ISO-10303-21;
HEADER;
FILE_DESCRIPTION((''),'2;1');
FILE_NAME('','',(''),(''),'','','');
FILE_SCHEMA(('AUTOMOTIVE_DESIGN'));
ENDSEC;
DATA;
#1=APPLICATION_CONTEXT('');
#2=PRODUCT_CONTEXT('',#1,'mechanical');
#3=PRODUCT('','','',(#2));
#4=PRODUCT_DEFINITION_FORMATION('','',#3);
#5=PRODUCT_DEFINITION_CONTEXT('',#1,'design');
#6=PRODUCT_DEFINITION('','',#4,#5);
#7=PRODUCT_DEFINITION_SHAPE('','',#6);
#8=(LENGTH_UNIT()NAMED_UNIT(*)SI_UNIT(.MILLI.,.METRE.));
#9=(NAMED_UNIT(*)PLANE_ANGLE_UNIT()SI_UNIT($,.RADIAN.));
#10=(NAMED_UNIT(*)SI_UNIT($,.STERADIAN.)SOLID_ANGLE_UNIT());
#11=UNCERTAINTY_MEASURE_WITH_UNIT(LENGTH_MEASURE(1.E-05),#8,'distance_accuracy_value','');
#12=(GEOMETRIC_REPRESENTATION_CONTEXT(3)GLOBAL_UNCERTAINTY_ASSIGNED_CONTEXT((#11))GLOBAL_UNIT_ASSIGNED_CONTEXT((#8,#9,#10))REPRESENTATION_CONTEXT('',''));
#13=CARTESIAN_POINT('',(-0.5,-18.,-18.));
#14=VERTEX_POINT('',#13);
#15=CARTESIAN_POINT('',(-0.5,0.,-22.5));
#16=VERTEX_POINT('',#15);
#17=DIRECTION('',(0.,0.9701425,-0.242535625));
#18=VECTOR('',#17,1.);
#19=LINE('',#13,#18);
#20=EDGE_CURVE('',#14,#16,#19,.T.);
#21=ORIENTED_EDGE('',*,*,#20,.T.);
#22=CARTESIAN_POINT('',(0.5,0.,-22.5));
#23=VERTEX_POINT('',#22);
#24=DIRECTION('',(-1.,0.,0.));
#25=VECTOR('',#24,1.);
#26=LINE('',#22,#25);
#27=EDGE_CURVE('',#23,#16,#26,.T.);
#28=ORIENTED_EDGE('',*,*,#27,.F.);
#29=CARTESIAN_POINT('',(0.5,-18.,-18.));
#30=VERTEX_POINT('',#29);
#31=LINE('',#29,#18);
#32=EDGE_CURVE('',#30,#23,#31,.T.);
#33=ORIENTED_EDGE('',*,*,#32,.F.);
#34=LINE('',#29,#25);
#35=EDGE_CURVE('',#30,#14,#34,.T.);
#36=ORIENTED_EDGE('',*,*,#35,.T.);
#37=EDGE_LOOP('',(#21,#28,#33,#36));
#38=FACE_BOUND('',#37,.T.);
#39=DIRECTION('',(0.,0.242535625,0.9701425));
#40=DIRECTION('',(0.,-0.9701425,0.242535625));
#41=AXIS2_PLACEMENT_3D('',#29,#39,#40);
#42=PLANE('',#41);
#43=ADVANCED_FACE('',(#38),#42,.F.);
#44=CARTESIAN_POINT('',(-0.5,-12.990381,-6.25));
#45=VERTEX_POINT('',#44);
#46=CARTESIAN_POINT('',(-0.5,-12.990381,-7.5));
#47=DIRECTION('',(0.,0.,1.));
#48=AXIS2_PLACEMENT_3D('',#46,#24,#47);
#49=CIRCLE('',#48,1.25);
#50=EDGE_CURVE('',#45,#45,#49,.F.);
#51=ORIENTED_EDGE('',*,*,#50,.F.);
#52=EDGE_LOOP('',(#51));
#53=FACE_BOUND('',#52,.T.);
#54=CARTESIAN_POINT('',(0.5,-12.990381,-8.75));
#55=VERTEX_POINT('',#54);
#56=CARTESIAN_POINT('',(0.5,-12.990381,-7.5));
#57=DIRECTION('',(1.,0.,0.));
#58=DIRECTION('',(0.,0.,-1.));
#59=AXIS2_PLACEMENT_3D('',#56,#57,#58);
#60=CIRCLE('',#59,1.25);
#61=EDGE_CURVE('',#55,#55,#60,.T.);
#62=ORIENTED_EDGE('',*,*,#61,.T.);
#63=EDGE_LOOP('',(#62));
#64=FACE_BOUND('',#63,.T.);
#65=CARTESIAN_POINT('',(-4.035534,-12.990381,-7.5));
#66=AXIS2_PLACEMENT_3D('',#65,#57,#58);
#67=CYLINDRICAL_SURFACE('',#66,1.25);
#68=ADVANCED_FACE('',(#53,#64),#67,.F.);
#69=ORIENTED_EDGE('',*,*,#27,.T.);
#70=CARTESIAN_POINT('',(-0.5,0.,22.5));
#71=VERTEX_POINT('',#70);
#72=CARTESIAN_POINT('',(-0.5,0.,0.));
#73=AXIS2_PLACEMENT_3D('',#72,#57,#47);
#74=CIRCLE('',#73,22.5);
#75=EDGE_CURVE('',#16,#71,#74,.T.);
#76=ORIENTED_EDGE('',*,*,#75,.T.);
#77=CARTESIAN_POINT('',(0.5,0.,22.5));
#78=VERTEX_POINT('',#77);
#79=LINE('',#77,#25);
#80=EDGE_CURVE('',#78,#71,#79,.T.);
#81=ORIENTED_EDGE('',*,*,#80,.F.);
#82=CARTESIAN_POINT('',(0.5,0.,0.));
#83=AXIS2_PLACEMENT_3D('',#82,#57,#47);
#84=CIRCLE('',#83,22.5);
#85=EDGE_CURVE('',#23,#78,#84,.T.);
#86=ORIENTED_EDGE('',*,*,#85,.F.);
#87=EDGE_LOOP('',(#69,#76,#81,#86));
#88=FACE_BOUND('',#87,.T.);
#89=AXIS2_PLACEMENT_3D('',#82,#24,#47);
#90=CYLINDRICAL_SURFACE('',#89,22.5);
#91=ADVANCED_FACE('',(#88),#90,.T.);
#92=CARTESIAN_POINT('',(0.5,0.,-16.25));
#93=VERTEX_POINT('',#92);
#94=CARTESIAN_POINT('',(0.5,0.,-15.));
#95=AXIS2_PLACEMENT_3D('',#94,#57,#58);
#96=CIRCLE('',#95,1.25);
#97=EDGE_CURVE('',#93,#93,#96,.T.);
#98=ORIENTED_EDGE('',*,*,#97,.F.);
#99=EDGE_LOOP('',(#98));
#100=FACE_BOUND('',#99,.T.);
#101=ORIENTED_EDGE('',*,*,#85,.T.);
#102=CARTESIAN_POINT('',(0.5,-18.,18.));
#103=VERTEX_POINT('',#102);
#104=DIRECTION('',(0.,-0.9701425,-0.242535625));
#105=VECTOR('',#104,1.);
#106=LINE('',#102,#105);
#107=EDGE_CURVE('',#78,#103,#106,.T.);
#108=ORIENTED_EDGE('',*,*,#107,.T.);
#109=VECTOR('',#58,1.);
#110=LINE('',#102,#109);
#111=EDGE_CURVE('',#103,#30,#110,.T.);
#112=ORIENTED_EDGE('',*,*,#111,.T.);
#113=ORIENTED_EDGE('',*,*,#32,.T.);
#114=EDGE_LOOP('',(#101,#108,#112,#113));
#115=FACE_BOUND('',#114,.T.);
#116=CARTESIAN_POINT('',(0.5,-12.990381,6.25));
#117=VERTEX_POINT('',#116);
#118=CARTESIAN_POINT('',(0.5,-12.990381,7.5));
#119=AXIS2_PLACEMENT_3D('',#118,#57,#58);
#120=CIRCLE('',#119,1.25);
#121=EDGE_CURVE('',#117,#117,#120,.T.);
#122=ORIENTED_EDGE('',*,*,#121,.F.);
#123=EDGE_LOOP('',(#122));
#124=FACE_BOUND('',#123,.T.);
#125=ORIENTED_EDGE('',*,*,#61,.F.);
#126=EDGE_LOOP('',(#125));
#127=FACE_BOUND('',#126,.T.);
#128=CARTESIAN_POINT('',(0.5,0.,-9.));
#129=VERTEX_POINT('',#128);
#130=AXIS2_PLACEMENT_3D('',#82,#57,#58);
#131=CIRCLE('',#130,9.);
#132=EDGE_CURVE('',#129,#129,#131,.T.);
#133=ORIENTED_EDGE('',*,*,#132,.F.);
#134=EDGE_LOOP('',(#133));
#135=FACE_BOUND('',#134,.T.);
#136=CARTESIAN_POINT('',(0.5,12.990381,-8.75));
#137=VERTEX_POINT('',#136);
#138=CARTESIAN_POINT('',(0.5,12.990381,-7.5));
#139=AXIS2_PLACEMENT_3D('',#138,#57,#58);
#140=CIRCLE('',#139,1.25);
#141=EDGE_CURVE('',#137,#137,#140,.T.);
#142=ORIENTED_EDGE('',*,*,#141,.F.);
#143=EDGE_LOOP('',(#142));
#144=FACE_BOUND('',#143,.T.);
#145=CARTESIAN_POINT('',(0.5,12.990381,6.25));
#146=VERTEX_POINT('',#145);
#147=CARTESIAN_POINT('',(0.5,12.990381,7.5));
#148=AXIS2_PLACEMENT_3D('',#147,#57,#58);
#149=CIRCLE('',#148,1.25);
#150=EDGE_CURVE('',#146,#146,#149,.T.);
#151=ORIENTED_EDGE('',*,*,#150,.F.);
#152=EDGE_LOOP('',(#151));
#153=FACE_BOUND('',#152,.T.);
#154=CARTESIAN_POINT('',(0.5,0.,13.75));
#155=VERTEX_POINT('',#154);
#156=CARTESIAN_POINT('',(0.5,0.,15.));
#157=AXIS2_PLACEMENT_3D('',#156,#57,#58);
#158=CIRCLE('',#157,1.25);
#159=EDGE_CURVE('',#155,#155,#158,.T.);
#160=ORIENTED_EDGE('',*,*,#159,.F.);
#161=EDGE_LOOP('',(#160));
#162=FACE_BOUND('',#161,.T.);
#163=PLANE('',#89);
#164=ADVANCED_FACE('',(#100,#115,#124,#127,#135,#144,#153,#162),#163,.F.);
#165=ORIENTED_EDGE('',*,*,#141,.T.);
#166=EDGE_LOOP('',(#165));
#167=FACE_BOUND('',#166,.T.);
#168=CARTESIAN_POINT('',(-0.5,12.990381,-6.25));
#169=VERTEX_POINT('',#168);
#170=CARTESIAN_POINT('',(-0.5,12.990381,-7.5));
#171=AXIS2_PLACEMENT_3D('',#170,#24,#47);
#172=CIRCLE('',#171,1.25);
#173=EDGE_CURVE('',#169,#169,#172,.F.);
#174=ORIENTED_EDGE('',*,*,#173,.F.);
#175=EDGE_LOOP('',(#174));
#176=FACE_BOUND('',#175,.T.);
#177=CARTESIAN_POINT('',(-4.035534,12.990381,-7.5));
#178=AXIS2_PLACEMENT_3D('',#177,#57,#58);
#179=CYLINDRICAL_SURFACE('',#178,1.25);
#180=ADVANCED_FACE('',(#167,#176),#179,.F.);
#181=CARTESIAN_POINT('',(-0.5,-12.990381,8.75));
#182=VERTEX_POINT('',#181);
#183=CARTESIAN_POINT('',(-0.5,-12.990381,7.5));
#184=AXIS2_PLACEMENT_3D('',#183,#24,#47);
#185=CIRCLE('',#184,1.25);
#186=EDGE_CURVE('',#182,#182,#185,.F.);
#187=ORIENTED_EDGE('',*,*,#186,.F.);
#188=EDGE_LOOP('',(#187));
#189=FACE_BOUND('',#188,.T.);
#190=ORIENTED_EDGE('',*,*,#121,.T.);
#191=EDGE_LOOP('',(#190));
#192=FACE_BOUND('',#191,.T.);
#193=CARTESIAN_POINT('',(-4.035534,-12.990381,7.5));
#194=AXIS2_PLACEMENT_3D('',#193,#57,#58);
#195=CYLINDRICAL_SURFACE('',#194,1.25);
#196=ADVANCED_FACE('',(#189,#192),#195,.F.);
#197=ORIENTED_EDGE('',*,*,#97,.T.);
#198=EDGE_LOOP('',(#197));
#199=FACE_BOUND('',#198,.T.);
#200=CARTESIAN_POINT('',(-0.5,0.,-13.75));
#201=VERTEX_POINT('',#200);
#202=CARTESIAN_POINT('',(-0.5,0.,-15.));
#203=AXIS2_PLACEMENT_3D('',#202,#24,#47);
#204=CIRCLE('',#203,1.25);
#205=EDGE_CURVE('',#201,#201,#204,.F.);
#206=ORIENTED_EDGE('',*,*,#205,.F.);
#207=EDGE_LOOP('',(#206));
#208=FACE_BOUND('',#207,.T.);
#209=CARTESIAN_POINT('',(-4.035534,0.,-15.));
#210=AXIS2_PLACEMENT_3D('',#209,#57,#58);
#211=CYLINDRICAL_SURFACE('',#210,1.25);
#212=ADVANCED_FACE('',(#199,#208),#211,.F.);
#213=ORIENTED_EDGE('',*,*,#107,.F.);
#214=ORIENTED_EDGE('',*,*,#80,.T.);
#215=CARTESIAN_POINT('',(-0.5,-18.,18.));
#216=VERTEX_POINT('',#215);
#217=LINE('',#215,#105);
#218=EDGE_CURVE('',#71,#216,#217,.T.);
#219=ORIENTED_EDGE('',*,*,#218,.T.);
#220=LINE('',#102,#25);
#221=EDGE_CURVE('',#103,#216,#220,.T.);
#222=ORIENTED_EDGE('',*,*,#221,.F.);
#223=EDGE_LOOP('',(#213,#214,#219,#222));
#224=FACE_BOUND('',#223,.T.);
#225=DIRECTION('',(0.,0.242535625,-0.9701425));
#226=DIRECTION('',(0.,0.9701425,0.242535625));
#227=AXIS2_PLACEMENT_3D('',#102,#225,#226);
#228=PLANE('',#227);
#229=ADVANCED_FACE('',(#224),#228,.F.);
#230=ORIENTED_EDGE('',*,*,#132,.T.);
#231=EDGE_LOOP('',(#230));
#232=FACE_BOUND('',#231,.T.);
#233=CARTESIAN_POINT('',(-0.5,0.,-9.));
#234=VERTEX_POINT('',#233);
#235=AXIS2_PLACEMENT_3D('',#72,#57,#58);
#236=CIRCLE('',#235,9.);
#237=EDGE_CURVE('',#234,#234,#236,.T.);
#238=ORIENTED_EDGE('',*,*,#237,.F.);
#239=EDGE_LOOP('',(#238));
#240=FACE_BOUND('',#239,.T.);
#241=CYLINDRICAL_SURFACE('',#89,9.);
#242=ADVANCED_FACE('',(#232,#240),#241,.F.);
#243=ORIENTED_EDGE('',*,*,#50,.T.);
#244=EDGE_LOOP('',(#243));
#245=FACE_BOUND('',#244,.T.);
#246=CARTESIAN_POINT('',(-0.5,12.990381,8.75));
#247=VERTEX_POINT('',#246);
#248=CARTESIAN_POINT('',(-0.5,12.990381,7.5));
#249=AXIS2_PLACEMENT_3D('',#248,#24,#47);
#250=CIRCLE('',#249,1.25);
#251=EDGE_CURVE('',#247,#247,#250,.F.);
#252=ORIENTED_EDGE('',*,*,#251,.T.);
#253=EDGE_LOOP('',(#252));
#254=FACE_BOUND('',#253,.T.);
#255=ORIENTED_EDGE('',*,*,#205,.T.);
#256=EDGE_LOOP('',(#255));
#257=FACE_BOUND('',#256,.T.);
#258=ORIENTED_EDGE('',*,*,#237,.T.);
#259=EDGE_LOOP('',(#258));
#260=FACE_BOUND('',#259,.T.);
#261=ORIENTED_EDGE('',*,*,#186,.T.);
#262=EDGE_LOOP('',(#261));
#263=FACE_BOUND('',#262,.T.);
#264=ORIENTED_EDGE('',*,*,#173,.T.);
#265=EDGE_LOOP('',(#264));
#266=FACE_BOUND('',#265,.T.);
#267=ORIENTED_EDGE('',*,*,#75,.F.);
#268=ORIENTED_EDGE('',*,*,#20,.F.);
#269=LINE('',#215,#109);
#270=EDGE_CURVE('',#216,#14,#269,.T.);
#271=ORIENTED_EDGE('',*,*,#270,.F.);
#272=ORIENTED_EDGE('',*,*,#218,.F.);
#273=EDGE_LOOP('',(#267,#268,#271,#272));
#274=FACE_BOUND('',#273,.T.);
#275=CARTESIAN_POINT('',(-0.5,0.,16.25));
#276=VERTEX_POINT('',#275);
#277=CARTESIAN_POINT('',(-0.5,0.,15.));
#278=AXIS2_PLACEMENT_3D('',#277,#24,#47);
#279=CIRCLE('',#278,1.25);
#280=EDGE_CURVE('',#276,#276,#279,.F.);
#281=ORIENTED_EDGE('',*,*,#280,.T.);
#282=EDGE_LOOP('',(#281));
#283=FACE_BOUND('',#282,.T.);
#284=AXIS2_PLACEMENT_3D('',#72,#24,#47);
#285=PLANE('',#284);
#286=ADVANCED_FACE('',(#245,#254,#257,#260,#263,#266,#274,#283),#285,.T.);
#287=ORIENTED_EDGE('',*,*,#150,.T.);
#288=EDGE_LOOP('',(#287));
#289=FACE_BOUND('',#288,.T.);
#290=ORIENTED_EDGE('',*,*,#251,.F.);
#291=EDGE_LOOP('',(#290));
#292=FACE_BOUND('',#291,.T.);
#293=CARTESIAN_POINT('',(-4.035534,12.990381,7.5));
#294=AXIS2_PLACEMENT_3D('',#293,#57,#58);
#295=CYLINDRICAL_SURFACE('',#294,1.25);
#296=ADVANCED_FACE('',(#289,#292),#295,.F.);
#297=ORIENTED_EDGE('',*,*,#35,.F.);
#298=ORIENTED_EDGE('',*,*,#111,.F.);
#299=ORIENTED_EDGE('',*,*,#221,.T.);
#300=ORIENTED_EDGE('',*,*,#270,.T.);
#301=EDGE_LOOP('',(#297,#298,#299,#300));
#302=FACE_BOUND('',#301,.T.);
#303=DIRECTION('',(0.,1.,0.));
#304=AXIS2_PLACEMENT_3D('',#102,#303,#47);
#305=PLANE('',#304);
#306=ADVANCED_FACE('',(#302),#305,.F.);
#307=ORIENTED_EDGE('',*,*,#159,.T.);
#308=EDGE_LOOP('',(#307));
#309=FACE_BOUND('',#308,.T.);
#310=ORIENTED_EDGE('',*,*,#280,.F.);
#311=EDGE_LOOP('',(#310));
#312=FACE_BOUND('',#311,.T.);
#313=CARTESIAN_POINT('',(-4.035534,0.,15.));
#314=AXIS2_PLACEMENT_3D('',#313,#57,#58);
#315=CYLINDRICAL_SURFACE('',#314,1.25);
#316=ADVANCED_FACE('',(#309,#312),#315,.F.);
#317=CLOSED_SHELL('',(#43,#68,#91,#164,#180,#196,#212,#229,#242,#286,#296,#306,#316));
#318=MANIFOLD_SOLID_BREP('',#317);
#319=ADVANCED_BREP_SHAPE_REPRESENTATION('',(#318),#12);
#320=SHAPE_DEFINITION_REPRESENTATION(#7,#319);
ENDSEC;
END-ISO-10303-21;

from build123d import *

# Parameters (mm, degrees)
SKETCH1_R           = 9
BOSS_EXTRUDE1_DEPTH = 0.5
SKETCH2_R           = 1.25
CUT_EXTRUDE1_DEPTH  = 1


with BuildPart() as part:
    # Sketch1 → Boss-Extrude1 (new, symmetric)
    with BuildSketch(Plane(origin=(0, 0, 0), x_dir=(0, 0, -1), z_dir=(1, 0, 0))):
        with BuildLine():
            Line((-18, -18), (18, -18))
            Line((18, -18), (22.5, 0))
            ThreePointArc((22.5, 0), (0, 22.5), (-22.5, 0))
            Line((-22.5, 0), (-18, -18))
        make_face()
        Circle(SKETCH1_R, mode=Mode.SUBTRACT)
    extrude(amount=BOSS_EXTRUDE1_DEPTH, both=True)

    # Sketch2 → Cut-Extrude1 (cut)
    with BuildSketch(Plane(origin=(0.5, 0, 0), x_dir=(0, 0, -1), z_dir=(1, 0, 0))):
        with Locations((15, 0)):
            Circle(SKETCH2_R)
        with Locations((7.5, -12.990381057)):
            Circle(SKETCH2_R)
        with Locations((-7.5, -12.990381057)):
            Circle(SKETCH2_R)
        with Locations((-15, 0)):
            Circle(SKETCH2_R)
        with Locations((-7.5, 12.990381057)):
            Circle(SKETCH2_R)
        with Locations((7.5, 12.990381057)):
            Circle(SKETCH2_R)
    extrude(amount=-CUT_EXTRUDE1_DEPTH, mode=Mode.SUBTRACT)


solid = part.part
